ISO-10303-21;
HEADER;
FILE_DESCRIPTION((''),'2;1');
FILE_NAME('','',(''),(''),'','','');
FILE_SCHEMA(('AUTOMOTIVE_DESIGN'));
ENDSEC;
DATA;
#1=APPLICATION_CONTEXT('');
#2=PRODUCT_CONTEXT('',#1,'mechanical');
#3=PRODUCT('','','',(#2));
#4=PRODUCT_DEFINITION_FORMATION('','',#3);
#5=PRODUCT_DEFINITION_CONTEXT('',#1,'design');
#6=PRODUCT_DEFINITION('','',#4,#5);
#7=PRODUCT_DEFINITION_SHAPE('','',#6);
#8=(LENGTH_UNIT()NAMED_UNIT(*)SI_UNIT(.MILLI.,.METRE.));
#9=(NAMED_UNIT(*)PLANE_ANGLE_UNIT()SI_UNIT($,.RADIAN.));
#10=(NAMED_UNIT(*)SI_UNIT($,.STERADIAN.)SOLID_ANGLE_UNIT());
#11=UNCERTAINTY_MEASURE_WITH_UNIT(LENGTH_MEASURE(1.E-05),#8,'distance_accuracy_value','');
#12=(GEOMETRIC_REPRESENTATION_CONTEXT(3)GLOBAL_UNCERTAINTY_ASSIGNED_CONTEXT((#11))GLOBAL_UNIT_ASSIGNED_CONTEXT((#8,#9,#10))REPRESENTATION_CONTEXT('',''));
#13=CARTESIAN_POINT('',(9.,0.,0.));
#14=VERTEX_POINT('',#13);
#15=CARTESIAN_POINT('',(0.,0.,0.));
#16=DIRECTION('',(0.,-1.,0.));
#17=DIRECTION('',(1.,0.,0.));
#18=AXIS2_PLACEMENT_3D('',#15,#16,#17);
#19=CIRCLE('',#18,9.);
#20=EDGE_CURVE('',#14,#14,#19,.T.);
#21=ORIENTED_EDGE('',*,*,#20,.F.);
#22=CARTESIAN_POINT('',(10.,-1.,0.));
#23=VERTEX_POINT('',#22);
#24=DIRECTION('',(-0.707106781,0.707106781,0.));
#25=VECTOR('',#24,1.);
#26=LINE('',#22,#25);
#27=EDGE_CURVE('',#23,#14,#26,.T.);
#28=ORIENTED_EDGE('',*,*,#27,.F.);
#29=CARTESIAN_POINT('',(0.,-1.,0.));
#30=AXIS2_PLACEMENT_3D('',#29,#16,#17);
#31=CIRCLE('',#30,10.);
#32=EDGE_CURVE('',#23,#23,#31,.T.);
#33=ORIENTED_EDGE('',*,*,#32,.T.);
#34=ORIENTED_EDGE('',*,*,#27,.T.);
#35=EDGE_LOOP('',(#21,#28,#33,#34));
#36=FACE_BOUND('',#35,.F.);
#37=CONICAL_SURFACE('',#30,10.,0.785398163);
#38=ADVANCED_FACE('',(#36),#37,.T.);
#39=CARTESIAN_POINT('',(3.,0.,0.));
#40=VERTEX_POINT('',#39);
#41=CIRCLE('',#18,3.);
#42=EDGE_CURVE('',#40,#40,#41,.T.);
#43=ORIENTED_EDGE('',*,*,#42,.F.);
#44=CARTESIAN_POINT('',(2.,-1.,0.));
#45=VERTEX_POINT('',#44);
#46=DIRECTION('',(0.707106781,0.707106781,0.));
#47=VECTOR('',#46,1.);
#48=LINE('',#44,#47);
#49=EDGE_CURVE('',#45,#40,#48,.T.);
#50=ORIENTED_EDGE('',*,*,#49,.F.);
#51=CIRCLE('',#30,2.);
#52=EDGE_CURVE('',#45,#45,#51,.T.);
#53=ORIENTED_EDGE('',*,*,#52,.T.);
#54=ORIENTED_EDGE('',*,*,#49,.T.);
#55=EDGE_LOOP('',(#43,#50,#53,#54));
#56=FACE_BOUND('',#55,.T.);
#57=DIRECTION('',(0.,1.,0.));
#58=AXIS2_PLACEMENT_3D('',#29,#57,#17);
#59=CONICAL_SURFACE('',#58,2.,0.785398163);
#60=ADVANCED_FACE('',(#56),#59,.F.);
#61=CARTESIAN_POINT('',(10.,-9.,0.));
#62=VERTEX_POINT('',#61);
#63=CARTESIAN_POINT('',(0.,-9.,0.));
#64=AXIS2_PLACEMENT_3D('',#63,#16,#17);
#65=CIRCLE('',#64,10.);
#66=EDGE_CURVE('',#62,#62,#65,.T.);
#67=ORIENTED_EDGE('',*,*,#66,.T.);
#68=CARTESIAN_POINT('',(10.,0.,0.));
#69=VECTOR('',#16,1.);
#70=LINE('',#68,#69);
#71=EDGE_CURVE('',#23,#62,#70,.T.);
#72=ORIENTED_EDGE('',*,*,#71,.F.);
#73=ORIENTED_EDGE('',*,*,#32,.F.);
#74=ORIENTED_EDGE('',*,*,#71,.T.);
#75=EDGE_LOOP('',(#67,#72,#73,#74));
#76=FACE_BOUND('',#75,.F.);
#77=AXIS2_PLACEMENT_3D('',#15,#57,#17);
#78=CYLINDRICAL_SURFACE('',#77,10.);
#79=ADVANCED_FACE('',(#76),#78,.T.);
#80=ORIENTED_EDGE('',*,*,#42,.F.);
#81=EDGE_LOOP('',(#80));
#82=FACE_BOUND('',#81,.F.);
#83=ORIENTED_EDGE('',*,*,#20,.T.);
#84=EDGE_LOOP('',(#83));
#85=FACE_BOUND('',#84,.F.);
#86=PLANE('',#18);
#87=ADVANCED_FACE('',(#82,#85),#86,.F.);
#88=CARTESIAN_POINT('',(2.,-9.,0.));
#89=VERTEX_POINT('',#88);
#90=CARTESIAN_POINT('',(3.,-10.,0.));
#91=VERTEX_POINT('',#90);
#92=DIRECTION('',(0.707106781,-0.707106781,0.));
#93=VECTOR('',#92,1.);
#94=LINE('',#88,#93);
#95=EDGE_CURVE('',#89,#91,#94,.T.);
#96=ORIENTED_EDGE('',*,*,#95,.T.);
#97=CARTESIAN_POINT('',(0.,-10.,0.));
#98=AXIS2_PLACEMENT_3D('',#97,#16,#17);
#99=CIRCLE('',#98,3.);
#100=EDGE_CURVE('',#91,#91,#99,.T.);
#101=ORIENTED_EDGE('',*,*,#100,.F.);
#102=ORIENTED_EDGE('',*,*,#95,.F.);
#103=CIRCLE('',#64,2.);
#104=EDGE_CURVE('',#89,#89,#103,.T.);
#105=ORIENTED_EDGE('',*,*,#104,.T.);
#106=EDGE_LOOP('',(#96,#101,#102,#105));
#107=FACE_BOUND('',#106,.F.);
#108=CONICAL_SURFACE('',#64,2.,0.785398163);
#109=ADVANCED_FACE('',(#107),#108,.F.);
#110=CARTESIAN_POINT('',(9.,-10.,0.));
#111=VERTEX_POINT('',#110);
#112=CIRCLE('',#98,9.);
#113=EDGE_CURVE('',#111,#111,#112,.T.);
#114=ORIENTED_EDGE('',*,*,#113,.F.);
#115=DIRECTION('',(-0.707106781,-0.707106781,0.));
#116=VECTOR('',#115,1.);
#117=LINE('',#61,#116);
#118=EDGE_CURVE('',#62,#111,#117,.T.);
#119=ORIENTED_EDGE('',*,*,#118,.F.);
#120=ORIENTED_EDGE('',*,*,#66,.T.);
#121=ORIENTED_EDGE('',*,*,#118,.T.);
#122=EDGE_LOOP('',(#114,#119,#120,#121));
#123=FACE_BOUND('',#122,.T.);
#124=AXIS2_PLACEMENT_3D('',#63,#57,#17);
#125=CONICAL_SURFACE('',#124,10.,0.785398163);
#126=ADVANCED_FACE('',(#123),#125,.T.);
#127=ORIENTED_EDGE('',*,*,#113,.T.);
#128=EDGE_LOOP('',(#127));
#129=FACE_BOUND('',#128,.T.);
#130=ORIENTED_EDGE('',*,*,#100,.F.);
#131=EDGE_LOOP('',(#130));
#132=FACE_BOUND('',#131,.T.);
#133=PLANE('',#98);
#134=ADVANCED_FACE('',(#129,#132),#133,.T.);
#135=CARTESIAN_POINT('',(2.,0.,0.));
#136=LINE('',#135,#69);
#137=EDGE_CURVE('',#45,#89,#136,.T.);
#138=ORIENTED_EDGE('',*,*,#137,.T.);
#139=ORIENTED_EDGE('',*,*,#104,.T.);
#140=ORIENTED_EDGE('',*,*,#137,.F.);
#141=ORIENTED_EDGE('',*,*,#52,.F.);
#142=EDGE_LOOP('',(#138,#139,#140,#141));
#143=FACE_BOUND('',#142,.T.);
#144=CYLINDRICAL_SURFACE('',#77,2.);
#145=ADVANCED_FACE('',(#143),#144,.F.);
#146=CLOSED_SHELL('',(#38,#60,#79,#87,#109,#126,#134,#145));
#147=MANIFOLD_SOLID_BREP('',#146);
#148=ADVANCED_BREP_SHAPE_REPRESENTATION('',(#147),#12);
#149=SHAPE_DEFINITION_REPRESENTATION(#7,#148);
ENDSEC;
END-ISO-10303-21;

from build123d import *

# Parameters (mm, degrees)
SKETCH_R     = 10
SKETCH_R_2   = 2
PAD_DEPTH    = 10
CHAMFER_SIZE = 1


with BuildPart() as part:
    # Sketch → Pad (new body)
    with BuildSketch(Plane.XZ):
        Circle(SKETCH_R)
        Circle(SKETCH_R_2, mode=Mode.SUBTRACT)
    extrude(amount=PAD_DEPTH)

    # Chamfer
    chamfer_edges = [part.edges().sort_by_distance(p)[0] for p in [
        (-2, -10, 0),
        (-2, 0, 0),
        (-10, -10, 0),
        (-10, 0, 0),
    ]]
    chamfer(chamfer_edges, length=CHAMFER_SIZE)


solid = part.part
